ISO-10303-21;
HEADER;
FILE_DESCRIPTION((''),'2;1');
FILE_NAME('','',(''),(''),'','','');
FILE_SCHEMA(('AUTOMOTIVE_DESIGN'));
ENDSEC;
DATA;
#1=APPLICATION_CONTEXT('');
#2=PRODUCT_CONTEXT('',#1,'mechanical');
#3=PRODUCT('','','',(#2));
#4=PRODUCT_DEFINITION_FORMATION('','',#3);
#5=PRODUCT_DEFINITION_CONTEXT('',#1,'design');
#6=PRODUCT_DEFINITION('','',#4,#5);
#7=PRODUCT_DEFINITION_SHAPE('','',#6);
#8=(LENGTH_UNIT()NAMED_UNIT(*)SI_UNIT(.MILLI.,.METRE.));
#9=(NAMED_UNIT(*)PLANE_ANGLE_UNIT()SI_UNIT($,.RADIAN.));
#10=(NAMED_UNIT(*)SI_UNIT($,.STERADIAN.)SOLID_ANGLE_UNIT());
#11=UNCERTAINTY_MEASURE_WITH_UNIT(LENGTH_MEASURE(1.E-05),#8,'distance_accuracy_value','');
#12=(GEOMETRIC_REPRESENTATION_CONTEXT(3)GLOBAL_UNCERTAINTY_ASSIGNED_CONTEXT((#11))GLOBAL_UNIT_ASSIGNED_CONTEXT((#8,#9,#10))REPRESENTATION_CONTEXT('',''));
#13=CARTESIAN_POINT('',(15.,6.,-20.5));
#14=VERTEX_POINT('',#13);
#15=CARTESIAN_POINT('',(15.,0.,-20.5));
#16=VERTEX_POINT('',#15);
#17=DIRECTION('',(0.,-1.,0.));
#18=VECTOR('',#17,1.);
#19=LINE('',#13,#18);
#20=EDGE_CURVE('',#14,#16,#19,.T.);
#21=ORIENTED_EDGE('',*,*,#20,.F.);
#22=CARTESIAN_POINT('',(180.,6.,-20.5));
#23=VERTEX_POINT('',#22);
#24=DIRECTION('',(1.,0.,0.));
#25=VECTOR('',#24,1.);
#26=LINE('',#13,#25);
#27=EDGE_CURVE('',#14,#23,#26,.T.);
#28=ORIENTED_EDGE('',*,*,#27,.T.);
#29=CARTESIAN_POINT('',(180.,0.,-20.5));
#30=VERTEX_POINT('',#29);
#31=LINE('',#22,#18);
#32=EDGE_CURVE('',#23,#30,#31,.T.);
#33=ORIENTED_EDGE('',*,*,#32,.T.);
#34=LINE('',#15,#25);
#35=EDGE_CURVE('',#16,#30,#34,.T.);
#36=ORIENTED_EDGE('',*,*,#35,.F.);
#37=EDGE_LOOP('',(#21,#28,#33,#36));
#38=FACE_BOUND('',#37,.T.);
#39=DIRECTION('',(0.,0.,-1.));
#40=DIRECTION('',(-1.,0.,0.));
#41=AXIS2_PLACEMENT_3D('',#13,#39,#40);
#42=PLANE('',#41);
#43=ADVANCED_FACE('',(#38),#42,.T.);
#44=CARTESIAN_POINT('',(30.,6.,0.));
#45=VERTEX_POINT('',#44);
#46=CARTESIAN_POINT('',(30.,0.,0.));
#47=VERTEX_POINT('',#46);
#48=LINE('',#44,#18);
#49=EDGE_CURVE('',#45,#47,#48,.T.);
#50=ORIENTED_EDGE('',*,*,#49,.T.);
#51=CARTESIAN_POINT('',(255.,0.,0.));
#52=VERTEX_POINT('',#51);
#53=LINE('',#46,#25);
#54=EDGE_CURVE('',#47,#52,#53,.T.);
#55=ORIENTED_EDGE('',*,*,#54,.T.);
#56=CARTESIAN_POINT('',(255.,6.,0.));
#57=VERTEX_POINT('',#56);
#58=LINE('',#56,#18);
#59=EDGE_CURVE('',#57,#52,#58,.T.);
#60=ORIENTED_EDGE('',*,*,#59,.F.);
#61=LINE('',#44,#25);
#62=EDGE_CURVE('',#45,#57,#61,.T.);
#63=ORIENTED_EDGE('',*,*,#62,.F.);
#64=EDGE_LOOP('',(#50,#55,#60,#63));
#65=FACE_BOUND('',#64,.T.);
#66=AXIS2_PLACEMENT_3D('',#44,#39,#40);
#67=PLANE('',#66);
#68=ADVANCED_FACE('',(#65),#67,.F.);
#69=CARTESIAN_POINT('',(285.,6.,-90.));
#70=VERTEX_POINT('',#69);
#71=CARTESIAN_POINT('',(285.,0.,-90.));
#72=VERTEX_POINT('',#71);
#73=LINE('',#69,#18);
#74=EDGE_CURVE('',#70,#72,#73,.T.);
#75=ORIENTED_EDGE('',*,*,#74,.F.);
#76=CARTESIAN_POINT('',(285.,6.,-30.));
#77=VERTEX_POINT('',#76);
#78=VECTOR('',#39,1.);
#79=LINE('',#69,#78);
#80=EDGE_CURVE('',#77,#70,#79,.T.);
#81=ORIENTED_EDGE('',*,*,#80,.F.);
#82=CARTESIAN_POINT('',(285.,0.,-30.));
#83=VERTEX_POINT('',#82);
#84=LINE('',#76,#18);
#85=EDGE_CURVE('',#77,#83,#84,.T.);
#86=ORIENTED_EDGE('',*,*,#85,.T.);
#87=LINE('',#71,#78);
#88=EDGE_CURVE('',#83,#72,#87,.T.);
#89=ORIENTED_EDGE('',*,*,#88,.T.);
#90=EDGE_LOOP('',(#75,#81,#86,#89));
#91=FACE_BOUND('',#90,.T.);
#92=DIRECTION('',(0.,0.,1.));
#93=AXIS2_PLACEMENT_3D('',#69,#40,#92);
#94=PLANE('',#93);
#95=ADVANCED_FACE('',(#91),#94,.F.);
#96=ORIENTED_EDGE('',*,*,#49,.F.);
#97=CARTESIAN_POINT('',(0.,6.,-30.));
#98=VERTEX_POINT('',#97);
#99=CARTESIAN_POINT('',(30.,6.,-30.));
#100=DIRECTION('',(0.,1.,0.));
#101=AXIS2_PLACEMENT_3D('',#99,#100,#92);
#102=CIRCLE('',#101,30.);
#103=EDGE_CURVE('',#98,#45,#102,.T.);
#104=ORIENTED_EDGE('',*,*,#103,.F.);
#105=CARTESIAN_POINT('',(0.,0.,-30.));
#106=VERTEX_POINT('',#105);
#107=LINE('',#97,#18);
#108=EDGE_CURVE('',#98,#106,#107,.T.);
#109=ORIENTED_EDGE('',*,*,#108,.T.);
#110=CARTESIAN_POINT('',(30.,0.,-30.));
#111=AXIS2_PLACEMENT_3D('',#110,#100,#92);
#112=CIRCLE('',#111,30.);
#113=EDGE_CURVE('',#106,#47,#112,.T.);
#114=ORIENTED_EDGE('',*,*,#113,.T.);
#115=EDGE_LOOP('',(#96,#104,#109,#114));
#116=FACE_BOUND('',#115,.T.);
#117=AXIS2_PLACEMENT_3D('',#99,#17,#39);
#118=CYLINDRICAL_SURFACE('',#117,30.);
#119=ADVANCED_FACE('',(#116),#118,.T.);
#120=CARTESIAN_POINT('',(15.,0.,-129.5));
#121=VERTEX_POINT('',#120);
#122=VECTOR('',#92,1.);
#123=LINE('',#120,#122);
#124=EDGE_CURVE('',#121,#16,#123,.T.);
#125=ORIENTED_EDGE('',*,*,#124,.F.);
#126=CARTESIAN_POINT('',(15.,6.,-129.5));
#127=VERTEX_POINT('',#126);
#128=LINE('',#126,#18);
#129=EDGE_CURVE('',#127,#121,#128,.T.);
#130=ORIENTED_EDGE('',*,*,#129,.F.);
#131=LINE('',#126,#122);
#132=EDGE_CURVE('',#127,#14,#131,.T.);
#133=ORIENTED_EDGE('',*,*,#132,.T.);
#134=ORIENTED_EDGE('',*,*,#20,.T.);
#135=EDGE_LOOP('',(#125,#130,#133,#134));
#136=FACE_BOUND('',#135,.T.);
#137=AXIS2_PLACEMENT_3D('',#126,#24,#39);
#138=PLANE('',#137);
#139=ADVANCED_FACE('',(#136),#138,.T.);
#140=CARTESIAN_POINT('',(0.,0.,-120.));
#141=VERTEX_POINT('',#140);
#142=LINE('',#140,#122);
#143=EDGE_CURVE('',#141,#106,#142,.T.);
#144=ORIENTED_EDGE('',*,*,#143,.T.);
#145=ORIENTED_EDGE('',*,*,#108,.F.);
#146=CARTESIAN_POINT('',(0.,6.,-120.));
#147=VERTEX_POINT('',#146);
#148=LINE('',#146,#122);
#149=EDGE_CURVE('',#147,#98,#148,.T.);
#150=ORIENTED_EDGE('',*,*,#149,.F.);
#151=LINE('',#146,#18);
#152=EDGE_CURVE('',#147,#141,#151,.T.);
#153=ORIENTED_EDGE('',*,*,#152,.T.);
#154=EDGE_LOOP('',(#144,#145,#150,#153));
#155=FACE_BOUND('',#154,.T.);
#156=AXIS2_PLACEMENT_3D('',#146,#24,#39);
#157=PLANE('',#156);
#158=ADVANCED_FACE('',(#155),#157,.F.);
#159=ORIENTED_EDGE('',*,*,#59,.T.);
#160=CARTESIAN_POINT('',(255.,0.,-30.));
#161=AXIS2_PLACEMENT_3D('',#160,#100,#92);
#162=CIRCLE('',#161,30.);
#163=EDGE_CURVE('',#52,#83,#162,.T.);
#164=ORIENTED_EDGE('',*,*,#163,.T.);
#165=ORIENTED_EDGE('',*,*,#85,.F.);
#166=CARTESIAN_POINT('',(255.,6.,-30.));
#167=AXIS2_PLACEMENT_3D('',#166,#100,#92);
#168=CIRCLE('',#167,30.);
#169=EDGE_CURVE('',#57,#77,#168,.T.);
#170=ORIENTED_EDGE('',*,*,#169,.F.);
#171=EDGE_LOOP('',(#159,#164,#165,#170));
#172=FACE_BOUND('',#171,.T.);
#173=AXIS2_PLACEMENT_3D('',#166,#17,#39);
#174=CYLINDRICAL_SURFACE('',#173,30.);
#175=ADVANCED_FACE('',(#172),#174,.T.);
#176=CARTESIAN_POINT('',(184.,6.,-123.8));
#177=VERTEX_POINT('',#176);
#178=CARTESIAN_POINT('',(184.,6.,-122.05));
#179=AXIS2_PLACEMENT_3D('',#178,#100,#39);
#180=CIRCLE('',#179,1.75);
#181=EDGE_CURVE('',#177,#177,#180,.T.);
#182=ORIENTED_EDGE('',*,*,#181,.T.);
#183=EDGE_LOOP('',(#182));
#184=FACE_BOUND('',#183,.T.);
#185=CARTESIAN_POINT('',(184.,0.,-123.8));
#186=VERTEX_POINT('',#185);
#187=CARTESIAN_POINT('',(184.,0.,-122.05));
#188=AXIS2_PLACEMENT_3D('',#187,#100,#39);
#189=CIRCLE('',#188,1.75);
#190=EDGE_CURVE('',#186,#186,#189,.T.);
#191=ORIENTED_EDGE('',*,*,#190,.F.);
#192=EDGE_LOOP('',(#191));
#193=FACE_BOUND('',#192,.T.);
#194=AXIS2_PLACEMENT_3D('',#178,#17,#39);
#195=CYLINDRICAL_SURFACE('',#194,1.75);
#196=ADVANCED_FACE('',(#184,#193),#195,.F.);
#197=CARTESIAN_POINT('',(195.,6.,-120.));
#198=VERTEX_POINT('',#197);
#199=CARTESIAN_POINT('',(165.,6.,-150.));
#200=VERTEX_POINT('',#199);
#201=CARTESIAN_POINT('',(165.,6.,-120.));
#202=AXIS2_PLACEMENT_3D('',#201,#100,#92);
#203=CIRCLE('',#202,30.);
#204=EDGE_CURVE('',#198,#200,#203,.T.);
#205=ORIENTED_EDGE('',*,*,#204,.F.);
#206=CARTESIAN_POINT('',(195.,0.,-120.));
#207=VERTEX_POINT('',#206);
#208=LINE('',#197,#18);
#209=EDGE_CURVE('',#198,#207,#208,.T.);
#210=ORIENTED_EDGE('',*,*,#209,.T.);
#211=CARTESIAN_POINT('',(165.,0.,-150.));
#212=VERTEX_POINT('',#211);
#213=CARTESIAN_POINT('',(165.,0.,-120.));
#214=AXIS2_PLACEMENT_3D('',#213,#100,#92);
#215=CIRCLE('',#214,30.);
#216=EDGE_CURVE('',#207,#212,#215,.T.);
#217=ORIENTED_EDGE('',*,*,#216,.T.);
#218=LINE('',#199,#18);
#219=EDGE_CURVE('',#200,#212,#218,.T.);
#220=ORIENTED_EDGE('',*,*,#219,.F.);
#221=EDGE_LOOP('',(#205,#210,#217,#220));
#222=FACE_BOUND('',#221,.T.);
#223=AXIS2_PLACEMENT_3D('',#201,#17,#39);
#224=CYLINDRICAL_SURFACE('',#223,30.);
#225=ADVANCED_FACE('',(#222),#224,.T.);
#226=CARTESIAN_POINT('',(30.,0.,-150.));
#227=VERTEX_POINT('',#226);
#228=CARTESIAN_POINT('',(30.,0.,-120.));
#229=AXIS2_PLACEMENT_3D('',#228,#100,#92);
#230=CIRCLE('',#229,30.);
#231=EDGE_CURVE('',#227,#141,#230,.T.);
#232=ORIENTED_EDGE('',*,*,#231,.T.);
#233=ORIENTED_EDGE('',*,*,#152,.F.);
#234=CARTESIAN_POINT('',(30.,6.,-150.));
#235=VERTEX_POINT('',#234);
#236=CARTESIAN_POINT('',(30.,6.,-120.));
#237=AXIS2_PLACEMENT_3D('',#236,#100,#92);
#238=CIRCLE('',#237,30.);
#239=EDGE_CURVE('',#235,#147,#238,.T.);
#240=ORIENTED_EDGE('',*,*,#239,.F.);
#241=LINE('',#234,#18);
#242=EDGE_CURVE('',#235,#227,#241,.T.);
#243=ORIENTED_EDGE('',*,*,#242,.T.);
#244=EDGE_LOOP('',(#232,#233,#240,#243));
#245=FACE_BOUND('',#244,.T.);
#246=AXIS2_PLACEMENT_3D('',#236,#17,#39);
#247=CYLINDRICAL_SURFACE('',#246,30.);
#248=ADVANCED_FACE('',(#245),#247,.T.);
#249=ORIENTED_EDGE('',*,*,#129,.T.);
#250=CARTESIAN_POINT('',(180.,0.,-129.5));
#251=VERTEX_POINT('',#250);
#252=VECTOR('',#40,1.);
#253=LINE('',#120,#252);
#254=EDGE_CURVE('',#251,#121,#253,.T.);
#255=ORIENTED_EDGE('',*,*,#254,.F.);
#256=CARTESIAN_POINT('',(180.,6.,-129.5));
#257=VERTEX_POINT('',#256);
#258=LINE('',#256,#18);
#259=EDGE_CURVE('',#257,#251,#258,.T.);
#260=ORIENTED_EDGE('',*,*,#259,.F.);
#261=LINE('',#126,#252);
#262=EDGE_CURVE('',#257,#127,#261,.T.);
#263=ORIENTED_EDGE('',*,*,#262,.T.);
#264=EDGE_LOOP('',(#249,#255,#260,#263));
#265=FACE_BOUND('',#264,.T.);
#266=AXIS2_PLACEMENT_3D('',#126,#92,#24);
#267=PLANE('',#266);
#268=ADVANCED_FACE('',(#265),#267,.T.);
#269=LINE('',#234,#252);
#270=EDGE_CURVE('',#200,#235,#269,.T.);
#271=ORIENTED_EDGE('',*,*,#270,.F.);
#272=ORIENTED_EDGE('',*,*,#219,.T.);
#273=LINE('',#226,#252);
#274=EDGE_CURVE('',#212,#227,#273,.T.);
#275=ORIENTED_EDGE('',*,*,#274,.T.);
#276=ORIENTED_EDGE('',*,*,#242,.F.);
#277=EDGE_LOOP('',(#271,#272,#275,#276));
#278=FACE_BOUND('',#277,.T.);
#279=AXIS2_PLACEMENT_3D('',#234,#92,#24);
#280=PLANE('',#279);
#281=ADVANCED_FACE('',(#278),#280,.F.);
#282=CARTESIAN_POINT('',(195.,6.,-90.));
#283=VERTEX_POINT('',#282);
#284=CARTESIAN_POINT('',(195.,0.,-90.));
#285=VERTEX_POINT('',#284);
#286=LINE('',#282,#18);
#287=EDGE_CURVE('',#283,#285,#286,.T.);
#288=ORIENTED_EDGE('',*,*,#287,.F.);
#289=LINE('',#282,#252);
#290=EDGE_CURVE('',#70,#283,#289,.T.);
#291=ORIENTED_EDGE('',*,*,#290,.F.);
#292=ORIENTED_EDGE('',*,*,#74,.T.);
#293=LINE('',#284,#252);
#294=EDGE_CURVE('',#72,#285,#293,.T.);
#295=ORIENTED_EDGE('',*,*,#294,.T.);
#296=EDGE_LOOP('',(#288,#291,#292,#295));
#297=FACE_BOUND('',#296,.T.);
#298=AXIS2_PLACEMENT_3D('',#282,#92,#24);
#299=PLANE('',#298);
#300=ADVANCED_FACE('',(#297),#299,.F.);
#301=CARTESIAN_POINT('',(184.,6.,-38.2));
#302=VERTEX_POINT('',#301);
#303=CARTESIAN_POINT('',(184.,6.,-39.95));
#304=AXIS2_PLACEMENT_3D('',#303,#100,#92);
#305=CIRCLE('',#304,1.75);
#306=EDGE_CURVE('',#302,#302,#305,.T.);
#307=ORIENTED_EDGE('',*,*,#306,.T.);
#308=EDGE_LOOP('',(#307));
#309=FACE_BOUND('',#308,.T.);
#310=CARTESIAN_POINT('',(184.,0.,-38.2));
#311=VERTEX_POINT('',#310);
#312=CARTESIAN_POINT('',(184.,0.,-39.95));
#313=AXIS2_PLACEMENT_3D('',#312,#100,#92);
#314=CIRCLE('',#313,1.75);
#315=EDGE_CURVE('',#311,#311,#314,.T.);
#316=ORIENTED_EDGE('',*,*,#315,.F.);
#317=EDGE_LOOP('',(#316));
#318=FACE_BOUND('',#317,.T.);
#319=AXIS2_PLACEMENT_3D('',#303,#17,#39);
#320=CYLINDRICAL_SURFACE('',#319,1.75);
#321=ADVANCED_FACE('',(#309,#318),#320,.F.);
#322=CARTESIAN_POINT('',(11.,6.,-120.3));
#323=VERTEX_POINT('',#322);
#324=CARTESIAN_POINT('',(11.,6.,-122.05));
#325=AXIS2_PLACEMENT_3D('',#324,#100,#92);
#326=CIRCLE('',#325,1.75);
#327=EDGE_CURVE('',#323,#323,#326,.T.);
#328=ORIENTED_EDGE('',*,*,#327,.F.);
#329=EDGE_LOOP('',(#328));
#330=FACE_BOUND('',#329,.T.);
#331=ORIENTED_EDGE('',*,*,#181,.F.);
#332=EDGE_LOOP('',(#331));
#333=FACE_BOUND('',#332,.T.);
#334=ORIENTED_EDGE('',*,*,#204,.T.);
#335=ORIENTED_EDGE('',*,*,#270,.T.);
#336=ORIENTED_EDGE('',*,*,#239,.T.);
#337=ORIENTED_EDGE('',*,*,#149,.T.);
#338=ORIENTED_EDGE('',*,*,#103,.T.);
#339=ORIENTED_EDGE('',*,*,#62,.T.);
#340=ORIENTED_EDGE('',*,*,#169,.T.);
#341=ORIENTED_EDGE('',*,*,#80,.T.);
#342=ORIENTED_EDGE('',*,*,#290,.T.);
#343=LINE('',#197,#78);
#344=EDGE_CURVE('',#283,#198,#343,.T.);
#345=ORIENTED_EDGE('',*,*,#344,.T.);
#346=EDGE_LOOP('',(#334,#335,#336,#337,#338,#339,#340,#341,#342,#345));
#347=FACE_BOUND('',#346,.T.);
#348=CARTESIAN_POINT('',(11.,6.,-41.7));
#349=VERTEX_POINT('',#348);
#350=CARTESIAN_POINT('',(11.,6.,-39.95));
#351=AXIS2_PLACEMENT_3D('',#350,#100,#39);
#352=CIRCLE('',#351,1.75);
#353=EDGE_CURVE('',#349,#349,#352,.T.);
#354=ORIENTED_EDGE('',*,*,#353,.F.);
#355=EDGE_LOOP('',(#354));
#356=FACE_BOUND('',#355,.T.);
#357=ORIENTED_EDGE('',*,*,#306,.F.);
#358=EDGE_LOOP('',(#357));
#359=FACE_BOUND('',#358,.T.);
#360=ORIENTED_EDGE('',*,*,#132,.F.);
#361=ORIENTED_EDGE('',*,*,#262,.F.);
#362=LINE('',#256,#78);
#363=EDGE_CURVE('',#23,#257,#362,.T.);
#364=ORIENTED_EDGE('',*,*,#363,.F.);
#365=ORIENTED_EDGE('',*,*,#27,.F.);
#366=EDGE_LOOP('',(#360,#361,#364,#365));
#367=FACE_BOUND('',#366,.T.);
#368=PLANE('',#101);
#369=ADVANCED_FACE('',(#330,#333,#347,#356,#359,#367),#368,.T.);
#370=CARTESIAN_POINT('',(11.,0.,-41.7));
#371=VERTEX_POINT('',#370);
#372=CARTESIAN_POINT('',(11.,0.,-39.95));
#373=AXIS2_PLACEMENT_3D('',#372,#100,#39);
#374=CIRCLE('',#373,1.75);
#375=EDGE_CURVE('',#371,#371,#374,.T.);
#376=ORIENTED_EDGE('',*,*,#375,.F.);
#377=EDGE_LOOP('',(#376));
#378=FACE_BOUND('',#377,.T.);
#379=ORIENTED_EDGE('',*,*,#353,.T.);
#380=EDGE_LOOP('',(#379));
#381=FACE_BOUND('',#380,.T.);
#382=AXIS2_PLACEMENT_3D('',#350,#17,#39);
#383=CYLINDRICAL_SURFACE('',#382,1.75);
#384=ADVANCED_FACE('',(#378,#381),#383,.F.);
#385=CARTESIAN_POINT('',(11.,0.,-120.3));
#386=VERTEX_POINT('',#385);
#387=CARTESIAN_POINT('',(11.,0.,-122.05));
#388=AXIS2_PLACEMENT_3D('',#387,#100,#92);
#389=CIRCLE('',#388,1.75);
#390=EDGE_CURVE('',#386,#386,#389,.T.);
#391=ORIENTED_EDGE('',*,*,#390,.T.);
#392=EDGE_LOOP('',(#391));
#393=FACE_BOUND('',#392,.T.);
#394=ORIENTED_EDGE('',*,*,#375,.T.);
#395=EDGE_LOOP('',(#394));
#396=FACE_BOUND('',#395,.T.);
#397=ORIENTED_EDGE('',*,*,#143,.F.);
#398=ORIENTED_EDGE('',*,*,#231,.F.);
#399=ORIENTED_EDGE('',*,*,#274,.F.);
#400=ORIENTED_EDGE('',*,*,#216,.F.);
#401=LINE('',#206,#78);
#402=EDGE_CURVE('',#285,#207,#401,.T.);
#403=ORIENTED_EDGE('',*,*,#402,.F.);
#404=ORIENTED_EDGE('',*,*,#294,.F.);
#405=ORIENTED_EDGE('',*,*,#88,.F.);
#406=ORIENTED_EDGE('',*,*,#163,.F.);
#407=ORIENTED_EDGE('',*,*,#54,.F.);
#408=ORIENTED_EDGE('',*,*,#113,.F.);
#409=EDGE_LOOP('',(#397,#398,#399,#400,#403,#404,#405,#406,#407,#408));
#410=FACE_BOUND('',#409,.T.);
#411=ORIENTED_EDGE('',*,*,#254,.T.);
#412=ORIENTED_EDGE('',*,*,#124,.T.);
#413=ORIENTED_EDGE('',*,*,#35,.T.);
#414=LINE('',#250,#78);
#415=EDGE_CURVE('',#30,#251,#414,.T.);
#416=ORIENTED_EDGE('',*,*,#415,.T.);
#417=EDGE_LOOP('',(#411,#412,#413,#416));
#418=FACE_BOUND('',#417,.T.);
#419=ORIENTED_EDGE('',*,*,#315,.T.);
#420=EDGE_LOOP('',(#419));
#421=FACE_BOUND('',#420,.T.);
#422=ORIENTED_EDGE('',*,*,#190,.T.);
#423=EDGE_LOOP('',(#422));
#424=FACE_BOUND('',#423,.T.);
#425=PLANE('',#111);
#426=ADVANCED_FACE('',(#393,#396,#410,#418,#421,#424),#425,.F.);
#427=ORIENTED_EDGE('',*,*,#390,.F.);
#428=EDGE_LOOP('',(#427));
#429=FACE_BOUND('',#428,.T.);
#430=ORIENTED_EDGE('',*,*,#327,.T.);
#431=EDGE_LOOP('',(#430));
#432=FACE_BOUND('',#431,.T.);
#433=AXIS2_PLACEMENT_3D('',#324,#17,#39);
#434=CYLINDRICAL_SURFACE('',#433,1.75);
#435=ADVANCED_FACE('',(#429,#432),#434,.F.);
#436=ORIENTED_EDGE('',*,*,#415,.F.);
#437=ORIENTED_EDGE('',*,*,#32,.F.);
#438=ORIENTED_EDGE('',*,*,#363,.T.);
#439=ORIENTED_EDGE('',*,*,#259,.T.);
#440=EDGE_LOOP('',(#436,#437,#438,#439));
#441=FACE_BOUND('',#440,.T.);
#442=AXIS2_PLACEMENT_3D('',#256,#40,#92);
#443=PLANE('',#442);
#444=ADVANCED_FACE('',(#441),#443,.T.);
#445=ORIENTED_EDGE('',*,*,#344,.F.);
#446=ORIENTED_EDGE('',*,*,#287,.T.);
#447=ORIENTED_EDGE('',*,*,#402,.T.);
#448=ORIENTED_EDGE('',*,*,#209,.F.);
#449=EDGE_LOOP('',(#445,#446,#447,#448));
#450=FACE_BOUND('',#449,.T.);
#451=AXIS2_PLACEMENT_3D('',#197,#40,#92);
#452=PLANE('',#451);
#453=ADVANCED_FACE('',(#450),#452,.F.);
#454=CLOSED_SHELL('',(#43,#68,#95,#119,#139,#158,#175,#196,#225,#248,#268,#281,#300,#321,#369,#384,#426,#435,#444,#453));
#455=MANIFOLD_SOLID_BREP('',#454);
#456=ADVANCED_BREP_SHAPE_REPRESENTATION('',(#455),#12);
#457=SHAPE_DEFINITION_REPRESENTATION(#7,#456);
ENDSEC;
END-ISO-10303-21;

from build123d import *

# Parameters (mm, degrees)
SKETCH1_W           = 165
SKETCH1_H           = 109
BOSS_EXTRUDE1_DEPTH = 6
SKETCH2_R           = 1.75
CUT_EXTRUDE4_DEPTH  = 323.119543027


with BuildPart() as part:
    # Sketch1 → Boss-Extrude1 (new body)
    with BuildSketch(Plane(origin=(0, 0, 0), x_dir=(1, 0, 0), z_dir=(0, 1, 0))):
        with BuildLine():
            Line((30, 150), (165, 150))
            ThreePointArc((165, 150), (186.213203436, 141.213203436), (195, 120))
            Line((195, 120), (195, 90))
            Line((195, 90), (285, 90))
            Line((285, 90), (285, 30))
            ThreePointArc((285, 30), (276.213203436, 8.786796564), (255, 0))
            Line((255, 0), (30, 0))
            ThreePointArc((30, 0), (8.786796564, 8.786796564), (0, 30))
            Line((0, 30), (0, 120))
            ThreePointArc((0, 120), (8.786796564, 141.213203436), (30, 150))
        make_face()
        with Locations((97.5, 75)):
            Rectangle(SKETCH1_W, SKETCH1_H, mode=Mode.SUBTRACT)
    extrude(amount=BOSS_EXTRUDE1_DEPTH)

    # Sketch2 → Cut-Extrude4 (cut, through all)
    with BuildSketch(Plane(origin=(0, 0, 0), x_dir=(1, 0, 0), z_dir=(0, 1, 0))):
        with Locations(Location((184, 122.05, 0), (0, 0, 90))):
            Circle(SKETCH2_R)
        with Locations(Location((11, 122.05, 0), (0, 0, 270))):
            Circle(SKETCH2_R)
        with Locations(Location((184, 39.95, 0), (0, 0, 270))):
            Circle(SKETCH2_R)
        with Locations(Location((11, 39.95, 0), (0, 0, 90))):
            Circle(SKETCH2_R)
    extrude(amount=CUT_EXTRUDE4_DEPTH, mode=Mode.SUBTRACT)


solid = part.part
